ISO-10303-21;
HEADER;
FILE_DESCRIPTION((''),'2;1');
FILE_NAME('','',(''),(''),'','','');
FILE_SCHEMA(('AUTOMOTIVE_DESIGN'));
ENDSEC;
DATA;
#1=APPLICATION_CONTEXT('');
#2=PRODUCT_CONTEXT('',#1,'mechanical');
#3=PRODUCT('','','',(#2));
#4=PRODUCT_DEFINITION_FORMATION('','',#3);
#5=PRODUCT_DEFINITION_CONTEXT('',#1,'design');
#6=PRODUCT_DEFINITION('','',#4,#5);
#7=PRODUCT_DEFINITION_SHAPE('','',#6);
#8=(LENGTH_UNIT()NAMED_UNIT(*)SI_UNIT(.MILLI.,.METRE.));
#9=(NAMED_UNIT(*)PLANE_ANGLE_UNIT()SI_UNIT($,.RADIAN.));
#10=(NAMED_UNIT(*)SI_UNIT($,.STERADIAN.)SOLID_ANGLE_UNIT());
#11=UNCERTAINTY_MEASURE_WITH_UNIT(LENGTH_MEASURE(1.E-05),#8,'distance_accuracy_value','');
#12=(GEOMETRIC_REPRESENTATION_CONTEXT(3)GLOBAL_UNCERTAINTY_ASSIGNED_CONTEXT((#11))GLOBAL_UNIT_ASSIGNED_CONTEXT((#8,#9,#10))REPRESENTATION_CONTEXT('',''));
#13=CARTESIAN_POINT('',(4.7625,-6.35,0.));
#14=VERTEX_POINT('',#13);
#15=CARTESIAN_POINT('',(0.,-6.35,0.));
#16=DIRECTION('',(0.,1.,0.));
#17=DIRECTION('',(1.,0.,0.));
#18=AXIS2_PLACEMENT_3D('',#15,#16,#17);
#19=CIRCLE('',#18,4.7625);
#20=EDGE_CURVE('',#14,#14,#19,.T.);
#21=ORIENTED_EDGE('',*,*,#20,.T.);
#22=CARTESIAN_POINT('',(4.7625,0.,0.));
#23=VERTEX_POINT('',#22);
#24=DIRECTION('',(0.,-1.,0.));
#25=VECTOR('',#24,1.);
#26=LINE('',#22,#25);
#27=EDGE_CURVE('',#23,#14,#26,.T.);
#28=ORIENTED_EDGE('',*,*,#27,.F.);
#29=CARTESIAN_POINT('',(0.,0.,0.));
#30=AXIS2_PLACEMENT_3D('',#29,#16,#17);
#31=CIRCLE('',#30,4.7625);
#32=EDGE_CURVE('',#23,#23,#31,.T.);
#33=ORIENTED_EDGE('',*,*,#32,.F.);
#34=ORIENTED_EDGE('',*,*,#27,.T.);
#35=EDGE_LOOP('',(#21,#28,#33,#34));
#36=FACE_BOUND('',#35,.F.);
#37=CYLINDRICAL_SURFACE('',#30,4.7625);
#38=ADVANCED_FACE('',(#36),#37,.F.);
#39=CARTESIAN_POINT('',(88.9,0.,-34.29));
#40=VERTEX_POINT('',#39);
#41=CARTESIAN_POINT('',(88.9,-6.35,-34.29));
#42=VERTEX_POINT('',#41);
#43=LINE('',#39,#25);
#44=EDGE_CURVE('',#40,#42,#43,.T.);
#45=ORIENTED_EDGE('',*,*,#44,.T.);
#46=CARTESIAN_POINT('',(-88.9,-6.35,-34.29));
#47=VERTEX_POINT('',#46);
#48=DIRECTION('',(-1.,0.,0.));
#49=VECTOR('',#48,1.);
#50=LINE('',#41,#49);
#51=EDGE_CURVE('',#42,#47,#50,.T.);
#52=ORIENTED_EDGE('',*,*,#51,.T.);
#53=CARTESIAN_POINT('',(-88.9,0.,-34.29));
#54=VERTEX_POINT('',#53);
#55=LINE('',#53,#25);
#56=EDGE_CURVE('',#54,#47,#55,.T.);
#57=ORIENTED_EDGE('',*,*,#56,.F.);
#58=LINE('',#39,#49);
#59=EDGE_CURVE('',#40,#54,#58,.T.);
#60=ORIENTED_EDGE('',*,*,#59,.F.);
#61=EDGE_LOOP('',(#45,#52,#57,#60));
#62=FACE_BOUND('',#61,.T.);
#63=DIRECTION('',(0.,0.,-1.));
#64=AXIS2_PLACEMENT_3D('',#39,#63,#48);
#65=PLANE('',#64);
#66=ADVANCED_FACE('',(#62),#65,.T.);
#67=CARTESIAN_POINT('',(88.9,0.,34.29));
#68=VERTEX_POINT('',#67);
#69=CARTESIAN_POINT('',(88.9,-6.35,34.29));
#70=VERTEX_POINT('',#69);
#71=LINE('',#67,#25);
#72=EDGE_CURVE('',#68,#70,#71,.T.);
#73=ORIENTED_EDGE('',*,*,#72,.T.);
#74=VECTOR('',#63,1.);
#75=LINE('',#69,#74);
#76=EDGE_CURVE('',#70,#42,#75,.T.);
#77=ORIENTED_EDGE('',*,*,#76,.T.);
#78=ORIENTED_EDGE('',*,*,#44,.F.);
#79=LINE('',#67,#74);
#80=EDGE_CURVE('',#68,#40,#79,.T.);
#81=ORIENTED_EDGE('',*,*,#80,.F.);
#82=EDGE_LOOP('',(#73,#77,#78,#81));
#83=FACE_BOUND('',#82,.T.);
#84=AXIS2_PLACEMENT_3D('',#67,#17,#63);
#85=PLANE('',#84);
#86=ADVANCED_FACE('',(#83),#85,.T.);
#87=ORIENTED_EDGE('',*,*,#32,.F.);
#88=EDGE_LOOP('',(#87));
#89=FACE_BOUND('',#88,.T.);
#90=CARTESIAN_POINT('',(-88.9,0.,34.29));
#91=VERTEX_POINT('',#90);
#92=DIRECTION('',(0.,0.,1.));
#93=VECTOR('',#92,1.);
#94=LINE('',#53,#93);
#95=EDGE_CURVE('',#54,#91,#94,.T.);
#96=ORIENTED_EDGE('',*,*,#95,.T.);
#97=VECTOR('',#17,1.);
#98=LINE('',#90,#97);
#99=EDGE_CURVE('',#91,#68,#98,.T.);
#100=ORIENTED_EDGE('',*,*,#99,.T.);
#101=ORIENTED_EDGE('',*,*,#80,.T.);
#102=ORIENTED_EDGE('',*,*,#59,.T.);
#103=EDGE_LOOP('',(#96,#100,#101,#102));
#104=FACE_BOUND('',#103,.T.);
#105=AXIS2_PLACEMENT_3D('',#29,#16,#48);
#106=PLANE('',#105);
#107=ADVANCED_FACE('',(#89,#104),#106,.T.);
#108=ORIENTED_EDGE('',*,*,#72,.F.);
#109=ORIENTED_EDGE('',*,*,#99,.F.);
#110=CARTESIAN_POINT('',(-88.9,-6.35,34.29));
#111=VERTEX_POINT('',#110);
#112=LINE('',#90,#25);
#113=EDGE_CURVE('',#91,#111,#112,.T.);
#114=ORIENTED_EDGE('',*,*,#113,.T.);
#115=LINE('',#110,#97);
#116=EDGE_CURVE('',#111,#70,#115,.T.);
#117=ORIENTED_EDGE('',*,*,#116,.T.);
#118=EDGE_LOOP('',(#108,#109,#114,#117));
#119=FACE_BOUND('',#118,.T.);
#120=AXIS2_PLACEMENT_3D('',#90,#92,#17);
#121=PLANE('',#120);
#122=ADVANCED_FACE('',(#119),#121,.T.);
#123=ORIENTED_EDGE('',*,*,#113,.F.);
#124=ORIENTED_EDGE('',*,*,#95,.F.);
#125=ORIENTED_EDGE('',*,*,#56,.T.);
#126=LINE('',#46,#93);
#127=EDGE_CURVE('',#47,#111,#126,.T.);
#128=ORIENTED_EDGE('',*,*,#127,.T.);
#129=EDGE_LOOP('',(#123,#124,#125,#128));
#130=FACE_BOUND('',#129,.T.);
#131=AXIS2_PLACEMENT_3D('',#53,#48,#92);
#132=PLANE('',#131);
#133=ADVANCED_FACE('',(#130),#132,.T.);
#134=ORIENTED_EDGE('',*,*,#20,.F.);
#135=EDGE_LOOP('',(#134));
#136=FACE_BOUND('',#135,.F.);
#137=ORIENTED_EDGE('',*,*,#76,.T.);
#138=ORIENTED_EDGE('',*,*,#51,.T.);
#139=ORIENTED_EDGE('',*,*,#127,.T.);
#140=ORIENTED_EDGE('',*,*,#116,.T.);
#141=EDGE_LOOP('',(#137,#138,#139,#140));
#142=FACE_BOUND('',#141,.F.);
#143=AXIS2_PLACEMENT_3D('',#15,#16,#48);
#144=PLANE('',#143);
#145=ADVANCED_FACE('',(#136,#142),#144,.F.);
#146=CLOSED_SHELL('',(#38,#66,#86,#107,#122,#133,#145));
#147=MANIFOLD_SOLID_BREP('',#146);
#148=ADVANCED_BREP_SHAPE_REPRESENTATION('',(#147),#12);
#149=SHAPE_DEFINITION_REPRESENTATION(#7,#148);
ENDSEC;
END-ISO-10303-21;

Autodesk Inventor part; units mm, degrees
ref_plane "YZ Plane" through (0, 0, 0) normal (1, 0, 0) x (0, 1, 0)
ref_plane "XZ Plane" through (0, 0, 0) normal (0, 1, 0) x (-1, 0, 0)
sketch "Sketch1" plane through (0, 0, 0) normal (0, 1, 0) x (-1, 0, 0)
  line L0 (88.9, 34.29) -> (-88.9, 34.29)
  line L1 (-88.9, 34.29) -> (-88.9, -34.29)
  line L2 (-88.9, -34.29) -> (88.9, -34.29)
  line L3 (88.9, -34.29) -> (88.9, 34.29)
  line L4 (88.9, 34.29) -> (-88.9, -34.29) construction
  line L5 (-88.9, 34.29) -> (88.9, -34.29) construction
  point P0 (0, 0)
  dimension "d0" = 177.8
  dimension "d1" = 68.58
extrude "Extrusion1" add sketch "Sketch1" against normal blind 6.35
sketch "Sketch2" plane through (0, 0, 0) normal (0, 1, 0) x (1, 0, 0)
  circle A0 centre (0, 0) radius 4.7625
  dimension "d4" = 9.525
extrude "Extrusion2" cut sketch "Sketch2" against normal through all
equation "\"d0\" = length"
equation "\"d1\" = width"
equation "\"d2\" = thickness"
equation "\"d4\" = holeDiameter"
equation "\"thickness\" = 6.35"
equation "\"length\" = 177.8"
equation "\"width\" = 68.58"
equation "\"holeDiameter\" = 9.525"
properties part number "triangleBase" material "PC/ABS Plastic"
